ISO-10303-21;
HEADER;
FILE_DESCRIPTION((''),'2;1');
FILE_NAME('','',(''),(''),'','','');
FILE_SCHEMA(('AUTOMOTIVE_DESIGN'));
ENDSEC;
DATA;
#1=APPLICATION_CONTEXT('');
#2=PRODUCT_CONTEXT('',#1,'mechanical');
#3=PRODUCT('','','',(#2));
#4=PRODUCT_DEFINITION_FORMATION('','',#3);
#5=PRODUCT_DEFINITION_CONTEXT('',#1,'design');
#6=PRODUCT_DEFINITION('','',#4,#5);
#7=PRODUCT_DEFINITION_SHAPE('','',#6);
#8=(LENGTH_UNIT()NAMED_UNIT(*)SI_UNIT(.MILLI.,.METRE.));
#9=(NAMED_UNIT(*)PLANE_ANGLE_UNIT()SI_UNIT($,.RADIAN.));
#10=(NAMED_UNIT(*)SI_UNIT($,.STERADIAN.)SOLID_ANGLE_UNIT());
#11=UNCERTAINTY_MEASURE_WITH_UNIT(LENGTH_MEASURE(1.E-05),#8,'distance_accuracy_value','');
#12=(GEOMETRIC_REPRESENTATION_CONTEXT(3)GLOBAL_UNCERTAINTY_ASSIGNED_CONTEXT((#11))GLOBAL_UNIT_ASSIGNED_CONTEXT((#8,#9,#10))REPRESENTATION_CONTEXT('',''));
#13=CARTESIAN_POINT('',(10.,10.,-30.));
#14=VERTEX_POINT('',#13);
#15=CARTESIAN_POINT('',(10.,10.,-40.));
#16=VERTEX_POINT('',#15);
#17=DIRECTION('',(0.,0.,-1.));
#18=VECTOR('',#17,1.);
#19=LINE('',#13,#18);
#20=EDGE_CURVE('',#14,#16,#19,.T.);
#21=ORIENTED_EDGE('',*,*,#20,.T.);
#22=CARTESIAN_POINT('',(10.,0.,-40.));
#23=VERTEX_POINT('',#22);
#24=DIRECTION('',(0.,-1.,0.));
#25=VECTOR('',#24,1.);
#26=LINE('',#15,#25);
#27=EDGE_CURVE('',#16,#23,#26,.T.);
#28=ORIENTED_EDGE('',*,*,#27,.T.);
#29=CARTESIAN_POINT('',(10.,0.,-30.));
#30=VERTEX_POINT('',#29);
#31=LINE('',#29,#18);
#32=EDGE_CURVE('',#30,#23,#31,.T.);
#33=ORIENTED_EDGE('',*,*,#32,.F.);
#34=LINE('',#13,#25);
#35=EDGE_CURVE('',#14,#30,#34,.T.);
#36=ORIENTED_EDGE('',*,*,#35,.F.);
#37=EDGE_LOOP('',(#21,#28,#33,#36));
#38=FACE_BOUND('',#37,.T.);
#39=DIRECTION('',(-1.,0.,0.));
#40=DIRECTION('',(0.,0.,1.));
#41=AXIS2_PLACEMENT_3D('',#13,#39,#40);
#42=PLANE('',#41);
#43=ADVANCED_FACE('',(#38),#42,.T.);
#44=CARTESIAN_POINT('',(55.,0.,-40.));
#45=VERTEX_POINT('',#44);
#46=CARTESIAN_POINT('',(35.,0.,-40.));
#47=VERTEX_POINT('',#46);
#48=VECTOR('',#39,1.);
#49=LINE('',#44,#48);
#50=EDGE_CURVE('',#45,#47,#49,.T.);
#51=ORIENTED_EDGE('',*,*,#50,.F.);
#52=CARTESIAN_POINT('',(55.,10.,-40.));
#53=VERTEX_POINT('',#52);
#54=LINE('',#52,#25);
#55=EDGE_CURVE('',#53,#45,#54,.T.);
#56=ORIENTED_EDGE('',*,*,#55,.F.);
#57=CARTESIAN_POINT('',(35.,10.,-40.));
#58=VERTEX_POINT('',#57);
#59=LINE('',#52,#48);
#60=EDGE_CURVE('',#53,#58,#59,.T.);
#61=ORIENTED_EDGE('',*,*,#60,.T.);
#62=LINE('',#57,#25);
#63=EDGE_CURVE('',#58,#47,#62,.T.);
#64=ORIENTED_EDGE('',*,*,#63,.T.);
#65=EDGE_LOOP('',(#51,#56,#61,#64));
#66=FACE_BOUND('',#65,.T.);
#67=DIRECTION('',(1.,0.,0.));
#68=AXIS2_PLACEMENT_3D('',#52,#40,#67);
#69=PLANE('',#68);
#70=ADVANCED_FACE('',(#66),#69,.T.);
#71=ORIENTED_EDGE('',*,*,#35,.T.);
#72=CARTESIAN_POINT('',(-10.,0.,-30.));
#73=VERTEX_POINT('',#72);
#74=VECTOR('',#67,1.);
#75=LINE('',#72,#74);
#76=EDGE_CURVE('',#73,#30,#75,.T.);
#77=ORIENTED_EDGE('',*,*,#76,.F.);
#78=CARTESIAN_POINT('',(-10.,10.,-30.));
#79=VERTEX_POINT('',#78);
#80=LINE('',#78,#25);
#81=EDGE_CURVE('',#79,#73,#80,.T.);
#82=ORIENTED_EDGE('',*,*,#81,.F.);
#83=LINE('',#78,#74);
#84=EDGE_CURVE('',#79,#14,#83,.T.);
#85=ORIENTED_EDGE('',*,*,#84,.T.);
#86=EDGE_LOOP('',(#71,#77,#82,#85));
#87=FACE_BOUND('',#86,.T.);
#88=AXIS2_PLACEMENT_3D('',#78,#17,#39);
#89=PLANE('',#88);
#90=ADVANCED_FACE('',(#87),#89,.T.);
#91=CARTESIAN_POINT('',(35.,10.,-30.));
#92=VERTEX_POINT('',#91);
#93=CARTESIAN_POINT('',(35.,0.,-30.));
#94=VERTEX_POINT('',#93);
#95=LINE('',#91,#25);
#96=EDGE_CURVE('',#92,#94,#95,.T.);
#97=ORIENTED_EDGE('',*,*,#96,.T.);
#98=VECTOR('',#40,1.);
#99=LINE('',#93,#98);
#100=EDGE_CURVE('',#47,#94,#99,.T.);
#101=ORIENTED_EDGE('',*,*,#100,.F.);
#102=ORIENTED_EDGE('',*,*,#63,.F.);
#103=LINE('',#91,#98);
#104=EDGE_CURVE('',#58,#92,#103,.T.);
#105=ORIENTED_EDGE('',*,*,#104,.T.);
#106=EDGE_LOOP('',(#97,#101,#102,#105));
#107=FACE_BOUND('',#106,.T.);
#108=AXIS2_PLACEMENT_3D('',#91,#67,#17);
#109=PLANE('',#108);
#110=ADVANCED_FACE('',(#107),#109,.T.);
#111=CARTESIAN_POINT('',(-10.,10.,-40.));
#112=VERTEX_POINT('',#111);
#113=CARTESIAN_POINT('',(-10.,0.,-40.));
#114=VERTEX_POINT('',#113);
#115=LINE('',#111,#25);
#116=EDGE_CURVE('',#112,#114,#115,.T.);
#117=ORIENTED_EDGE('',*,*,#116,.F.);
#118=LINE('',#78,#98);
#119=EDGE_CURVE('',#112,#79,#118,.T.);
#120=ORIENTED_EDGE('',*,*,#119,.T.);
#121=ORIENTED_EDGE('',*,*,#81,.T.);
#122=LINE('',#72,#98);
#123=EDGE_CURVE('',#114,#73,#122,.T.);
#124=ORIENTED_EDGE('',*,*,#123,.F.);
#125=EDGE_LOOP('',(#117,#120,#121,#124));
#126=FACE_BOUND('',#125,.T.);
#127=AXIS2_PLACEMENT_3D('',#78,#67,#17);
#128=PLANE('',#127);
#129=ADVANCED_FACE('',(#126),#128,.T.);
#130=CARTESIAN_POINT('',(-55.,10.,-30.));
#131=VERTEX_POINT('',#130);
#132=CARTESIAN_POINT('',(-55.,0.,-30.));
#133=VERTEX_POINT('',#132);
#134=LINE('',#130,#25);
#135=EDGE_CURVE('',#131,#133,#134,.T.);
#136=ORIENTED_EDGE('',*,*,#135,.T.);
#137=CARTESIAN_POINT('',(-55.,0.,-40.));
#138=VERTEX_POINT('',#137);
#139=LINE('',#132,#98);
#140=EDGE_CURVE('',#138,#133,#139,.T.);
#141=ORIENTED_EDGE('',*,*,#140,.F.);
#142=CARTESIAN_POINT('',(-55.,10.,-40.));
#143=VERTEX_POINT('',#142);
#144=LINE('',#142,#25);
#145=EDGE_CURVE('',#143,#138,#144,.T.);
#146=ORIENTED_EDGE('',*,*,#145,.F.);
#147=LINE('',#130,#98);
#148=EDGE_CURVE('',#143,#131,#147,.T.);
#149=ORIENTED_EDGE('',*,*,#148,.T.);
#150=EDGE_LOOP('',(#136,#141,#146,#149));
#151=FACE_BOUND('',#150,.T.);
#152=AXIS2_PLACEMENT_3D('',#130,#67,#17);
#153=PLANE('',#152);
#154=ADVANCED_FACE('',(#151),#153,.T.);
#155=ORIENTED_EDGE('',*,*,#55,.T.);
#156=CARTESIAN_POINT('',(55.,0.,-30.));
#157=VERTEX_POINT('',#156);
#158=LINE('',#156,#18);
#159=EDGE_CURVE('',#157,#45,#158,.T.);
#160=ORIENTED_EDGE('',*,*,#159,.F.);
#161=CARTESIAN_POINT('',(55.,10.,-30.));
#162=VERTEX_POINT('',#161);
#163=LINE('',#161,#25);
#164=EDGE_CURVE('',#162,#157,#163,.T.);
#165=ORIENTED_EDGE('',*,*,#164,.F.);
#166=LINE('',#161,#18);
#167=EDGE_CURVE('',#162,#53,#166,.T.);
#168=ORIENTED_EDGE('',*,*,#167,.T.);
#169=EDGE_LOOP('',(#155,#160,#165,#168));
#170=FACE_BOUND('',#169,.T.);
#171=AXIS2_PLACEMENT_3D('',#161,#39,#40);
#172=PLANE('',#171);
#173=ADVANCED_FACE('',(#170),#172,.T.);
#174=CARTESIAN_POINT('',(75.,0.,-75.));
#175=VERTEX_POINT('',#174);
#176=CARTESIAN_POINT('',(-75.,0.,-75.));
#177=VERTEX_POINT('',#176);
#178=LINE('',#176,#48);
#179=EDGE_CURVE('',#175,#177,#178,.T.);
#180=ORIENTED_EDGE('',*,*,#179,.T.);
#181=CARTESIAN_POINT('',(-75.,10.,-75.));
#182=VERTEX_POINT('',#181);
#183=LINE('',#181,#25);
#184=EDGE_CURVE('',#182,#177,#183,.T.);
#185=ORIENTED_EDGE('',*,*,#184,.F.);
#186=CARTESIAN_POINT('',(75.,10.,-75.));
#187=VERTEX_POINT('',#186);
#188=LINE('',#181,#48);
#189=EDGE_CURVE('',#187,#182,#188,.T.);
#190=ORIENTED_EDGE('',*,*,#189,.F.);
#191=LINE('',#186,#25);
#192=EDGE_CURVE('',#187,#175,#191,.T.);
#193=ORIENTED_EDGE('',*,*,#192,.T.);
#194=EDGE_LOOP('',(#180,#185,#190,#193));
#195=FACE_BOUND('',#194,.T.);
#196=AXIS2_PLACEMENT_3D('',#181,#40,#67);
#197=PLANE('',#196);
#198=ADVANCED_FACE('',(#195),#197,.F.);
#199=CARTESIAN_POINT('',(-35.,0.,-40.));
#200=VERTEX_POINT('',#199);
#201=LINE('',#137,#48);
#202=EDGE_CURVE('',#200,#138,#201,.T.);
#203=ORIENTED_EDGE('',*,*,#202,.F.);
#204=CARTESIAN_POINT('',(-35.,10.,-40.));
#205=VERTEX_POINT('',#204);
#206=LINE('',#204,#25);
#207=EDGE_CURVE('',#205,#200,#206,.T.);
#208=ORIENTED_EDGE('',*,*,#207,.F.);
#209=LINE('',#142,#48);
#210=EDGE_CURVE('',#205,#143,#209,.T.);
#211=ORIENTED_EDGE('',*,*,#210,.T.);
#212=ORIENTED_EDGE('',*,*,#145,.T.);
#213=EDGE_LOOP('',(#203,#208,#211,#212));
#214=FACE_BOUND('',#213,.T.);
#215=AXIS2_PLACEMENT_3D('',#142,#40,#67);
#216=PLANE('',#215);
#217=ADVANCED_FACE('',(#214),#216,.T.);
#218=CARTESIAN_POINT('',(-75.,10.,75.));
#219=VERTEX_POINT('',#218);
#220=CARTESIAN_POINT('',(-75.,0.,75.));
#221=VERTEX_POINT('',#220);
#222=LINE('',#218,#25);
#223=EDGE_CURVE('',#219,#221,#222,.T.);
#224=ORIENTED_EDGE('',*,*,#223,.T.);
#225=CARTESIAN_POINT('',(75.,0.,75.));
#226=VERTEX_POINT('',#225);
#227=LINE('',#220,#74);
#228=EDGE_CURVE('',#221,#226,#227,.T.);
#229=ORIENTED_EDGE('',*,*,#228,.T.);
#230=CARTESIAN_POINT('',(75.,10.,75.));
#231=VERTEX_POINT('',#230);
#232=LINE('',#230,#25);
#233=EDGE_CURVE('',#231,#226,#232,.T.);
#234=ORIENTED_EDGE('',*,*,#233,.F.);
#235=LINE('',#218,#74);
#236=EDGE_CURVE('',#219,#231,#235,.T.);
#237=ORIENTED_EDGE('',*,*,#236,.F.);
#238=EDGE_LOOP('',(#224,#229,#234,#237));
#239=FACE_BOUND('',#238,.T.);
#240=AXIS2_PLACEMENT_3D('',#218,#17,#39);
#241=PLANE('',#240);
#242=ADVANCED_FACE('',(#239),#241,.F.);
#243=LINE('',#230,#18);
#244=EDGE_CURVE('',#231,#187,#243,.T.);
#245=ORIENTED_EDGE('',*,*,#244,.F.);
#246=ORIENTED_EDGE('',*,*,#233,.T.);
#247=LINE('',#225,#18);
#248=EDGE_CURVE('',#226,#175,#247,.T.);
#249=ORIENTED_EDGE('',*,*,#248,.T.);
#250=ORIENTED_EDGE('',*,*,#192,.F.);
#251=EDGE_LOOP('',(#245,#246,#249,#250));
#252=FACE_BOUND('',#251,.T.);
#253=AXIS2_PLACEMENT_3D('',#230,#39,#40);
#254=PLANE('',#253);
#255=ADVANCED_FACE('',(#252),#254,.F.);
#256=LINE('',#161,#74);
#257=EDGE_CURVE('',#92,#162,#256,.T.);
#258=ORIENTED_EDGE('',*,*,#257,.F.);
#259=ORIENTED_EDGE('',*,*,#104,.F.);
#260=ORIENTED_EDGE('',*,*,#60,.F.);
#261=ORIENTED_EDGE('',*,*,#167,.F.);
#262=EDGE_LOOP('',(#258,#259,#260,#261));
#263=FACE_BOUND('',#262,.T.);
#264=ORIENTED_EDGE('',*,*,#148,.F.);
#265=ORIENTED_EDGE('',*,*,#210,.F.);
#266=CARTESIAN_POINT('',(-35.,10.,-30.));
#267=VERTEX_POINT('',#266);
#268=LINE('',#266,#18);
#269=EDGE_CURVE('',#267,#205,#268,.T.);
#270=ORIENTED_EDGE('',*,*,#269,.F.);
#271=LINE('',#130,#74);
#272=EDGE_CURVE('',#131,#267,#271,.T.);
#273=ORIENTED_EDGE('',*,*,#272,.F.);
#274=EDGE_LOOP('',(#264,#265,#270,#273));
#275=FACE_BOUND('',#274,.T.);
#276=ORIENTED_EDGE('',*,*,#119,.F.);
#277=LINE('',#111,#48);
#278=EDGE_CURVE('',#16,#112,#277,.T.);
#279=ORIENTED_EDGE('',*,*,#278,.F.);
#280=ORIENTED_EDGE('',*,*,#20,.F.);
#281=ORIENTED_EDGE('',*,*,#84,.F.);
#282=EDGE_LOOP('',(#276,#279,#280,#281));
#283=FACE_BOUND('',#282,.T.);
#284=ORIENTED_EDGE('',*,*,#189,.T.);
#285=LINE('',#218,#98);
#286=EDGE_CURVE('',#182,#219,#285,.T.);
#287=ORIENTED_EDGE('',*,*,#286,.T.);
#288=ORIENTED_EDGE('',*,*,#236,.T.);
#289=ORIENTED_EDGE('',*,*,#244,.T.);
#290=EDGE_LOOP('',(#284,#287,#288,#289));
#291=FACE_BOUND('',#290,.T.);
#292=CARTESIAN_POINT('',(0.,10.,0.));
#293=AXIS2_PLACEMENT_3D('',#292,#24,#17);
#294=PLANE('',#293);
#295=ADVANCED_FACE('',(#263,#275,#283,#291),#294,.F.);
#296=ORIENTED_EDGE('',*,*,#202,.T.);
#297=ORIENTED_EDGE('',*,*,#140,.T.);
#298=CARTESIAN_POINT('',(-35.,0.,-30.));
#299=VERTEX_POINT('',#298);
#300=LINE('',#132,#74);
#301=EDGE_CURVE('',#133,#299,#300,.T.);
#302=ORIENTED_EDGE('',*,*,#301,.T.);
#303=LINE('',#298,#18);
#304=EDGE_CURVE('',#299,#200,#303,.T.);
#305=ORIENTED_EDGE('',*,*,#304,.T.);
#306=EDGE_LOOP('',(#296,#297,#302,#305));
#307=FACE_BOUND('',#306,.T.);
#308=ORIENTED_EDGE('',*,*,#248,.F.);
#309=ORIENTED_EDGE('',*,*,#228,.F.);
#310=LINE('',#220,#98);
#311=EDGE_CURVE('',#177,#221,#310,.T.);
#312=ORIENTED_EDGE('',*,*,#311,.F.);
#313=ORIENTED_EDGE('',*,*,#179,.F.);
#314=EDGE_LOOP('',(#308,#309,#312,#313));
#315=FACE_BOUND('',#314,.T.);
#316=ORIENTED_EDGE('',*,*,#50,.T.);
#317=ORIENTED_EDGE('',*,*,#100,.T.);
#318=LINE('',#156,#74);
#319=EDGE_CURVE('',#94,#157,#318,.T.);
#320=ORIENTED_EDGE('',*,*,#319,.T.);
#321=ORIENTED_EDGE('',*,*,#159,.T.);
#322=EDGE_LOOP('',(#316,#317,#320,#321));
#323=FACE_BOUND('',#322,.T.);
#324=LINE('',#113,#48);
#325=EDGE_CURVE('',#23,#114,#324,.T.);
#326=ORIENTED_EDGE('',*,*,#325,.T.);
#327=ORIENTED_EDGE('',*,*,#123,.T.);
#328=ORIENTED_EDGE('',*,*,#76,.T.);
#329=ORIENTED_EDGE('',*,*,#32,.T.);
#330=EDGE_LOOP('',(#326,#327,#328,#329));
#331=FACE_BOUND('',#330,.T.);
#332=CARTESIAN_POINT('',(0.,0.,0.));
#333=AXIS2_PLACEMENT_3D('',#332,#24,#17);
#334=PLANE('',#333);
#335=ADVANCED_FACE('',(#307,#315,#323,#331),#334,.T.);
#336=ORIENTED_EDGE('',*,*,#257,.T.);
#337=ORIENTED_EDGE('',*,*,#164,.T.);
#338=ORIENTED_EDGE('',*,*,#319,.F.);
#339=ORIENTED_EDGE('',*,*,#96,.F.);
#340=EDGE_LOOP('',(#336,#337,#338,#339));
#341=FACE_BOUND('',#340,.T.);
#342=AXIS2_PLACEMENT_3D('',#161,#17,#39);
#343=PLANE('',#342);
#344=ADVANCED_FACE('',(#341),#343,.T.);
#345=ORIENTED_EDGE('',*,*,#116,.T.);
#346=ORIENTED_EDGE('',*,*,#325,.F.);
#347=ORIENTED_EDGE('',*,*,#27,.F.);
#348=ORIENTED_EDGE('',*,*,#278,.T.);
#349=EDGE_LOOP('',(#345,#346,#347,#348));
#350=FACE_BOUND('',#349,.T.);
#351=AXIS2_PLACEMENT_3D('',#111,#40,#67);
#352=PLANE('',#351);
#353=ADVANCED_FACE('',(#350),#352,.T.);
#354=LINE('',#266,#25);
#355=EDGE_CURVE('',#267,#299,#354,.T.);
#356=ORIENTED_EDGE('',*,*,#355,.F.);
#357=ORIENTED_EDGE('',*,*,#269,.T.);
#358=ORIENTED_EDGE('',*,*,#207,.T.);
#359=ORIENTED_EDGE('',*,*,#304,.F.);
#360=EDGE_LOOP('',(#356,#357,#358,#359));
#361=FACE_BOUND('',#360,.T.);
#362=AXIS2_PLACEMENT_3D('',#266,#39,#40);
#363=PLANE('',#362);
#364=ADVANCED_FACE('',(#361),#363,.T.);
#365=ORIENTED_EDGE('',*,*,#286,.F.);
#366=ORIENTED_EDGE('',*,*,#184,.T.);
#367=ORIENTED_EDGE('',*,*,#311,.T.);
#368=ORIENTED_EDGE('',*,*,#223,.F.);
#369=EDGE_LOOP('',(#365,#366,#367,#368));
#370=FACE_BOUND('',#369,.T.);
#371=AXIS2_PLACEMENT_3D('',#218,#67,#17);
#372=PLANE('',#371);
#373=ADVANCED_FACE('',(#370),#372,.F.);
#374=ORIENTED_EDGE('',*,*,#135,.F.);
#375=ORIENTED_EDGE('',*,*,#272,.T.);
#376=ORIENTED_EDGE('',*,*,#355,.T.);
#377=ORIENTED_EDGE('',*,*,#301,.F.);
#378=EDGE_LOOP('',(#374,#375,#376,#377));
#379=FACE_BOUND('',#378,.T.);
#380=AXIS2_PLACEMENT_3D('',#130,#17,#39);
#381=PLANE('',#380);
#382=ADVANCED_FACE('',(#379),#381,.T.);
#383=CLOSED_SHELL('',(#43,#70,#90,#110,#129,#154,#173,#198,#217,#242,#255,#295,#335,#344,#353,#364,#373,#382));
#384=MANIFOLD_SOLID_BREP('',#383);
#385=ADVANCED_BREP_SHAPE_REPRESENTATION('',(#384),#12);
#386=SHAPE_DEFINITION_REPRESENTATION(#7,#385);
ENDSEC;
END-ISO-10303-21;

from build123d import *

# Parameters (mm, degrees)
SKETCH1_W           = 150
SKETCH1_H           = 150
SKETCH1_W_2         = 20
SKETCH1_H_2         = 10
BOSS_EXTRUDE1_DEPTH = 10


with BuildPart() as part:
    # Sketch1 → Boss-Extrude1 (new body)
    with BuildSketch(Plane(origin=(0, 0, 0), x_dir=(1, 0, 0), z_dir=(0, 1, 0))):
        Rectangle(SKETCH1_W, SKETCH1_H)
        with Locations((-45, 35)):
            Rectangle(SKETCH1_W_2, SKETCH1_H_2, mode=Mode.SUBTRACT)
        with Locations((0, 35)):
            Rectangle(SKETCH1_W_2, SKETCH1_H_2, mode=Mode.SUBTRACT)
        with Locations((45, 35)):
            Rectangle(SKETCH1_W_2, SKETCH1_H_2, mode=Mode.SUBTRACT)
    extrude(amount=BOSS_EXTRUDE1_DEPTH)


solid = part.part
